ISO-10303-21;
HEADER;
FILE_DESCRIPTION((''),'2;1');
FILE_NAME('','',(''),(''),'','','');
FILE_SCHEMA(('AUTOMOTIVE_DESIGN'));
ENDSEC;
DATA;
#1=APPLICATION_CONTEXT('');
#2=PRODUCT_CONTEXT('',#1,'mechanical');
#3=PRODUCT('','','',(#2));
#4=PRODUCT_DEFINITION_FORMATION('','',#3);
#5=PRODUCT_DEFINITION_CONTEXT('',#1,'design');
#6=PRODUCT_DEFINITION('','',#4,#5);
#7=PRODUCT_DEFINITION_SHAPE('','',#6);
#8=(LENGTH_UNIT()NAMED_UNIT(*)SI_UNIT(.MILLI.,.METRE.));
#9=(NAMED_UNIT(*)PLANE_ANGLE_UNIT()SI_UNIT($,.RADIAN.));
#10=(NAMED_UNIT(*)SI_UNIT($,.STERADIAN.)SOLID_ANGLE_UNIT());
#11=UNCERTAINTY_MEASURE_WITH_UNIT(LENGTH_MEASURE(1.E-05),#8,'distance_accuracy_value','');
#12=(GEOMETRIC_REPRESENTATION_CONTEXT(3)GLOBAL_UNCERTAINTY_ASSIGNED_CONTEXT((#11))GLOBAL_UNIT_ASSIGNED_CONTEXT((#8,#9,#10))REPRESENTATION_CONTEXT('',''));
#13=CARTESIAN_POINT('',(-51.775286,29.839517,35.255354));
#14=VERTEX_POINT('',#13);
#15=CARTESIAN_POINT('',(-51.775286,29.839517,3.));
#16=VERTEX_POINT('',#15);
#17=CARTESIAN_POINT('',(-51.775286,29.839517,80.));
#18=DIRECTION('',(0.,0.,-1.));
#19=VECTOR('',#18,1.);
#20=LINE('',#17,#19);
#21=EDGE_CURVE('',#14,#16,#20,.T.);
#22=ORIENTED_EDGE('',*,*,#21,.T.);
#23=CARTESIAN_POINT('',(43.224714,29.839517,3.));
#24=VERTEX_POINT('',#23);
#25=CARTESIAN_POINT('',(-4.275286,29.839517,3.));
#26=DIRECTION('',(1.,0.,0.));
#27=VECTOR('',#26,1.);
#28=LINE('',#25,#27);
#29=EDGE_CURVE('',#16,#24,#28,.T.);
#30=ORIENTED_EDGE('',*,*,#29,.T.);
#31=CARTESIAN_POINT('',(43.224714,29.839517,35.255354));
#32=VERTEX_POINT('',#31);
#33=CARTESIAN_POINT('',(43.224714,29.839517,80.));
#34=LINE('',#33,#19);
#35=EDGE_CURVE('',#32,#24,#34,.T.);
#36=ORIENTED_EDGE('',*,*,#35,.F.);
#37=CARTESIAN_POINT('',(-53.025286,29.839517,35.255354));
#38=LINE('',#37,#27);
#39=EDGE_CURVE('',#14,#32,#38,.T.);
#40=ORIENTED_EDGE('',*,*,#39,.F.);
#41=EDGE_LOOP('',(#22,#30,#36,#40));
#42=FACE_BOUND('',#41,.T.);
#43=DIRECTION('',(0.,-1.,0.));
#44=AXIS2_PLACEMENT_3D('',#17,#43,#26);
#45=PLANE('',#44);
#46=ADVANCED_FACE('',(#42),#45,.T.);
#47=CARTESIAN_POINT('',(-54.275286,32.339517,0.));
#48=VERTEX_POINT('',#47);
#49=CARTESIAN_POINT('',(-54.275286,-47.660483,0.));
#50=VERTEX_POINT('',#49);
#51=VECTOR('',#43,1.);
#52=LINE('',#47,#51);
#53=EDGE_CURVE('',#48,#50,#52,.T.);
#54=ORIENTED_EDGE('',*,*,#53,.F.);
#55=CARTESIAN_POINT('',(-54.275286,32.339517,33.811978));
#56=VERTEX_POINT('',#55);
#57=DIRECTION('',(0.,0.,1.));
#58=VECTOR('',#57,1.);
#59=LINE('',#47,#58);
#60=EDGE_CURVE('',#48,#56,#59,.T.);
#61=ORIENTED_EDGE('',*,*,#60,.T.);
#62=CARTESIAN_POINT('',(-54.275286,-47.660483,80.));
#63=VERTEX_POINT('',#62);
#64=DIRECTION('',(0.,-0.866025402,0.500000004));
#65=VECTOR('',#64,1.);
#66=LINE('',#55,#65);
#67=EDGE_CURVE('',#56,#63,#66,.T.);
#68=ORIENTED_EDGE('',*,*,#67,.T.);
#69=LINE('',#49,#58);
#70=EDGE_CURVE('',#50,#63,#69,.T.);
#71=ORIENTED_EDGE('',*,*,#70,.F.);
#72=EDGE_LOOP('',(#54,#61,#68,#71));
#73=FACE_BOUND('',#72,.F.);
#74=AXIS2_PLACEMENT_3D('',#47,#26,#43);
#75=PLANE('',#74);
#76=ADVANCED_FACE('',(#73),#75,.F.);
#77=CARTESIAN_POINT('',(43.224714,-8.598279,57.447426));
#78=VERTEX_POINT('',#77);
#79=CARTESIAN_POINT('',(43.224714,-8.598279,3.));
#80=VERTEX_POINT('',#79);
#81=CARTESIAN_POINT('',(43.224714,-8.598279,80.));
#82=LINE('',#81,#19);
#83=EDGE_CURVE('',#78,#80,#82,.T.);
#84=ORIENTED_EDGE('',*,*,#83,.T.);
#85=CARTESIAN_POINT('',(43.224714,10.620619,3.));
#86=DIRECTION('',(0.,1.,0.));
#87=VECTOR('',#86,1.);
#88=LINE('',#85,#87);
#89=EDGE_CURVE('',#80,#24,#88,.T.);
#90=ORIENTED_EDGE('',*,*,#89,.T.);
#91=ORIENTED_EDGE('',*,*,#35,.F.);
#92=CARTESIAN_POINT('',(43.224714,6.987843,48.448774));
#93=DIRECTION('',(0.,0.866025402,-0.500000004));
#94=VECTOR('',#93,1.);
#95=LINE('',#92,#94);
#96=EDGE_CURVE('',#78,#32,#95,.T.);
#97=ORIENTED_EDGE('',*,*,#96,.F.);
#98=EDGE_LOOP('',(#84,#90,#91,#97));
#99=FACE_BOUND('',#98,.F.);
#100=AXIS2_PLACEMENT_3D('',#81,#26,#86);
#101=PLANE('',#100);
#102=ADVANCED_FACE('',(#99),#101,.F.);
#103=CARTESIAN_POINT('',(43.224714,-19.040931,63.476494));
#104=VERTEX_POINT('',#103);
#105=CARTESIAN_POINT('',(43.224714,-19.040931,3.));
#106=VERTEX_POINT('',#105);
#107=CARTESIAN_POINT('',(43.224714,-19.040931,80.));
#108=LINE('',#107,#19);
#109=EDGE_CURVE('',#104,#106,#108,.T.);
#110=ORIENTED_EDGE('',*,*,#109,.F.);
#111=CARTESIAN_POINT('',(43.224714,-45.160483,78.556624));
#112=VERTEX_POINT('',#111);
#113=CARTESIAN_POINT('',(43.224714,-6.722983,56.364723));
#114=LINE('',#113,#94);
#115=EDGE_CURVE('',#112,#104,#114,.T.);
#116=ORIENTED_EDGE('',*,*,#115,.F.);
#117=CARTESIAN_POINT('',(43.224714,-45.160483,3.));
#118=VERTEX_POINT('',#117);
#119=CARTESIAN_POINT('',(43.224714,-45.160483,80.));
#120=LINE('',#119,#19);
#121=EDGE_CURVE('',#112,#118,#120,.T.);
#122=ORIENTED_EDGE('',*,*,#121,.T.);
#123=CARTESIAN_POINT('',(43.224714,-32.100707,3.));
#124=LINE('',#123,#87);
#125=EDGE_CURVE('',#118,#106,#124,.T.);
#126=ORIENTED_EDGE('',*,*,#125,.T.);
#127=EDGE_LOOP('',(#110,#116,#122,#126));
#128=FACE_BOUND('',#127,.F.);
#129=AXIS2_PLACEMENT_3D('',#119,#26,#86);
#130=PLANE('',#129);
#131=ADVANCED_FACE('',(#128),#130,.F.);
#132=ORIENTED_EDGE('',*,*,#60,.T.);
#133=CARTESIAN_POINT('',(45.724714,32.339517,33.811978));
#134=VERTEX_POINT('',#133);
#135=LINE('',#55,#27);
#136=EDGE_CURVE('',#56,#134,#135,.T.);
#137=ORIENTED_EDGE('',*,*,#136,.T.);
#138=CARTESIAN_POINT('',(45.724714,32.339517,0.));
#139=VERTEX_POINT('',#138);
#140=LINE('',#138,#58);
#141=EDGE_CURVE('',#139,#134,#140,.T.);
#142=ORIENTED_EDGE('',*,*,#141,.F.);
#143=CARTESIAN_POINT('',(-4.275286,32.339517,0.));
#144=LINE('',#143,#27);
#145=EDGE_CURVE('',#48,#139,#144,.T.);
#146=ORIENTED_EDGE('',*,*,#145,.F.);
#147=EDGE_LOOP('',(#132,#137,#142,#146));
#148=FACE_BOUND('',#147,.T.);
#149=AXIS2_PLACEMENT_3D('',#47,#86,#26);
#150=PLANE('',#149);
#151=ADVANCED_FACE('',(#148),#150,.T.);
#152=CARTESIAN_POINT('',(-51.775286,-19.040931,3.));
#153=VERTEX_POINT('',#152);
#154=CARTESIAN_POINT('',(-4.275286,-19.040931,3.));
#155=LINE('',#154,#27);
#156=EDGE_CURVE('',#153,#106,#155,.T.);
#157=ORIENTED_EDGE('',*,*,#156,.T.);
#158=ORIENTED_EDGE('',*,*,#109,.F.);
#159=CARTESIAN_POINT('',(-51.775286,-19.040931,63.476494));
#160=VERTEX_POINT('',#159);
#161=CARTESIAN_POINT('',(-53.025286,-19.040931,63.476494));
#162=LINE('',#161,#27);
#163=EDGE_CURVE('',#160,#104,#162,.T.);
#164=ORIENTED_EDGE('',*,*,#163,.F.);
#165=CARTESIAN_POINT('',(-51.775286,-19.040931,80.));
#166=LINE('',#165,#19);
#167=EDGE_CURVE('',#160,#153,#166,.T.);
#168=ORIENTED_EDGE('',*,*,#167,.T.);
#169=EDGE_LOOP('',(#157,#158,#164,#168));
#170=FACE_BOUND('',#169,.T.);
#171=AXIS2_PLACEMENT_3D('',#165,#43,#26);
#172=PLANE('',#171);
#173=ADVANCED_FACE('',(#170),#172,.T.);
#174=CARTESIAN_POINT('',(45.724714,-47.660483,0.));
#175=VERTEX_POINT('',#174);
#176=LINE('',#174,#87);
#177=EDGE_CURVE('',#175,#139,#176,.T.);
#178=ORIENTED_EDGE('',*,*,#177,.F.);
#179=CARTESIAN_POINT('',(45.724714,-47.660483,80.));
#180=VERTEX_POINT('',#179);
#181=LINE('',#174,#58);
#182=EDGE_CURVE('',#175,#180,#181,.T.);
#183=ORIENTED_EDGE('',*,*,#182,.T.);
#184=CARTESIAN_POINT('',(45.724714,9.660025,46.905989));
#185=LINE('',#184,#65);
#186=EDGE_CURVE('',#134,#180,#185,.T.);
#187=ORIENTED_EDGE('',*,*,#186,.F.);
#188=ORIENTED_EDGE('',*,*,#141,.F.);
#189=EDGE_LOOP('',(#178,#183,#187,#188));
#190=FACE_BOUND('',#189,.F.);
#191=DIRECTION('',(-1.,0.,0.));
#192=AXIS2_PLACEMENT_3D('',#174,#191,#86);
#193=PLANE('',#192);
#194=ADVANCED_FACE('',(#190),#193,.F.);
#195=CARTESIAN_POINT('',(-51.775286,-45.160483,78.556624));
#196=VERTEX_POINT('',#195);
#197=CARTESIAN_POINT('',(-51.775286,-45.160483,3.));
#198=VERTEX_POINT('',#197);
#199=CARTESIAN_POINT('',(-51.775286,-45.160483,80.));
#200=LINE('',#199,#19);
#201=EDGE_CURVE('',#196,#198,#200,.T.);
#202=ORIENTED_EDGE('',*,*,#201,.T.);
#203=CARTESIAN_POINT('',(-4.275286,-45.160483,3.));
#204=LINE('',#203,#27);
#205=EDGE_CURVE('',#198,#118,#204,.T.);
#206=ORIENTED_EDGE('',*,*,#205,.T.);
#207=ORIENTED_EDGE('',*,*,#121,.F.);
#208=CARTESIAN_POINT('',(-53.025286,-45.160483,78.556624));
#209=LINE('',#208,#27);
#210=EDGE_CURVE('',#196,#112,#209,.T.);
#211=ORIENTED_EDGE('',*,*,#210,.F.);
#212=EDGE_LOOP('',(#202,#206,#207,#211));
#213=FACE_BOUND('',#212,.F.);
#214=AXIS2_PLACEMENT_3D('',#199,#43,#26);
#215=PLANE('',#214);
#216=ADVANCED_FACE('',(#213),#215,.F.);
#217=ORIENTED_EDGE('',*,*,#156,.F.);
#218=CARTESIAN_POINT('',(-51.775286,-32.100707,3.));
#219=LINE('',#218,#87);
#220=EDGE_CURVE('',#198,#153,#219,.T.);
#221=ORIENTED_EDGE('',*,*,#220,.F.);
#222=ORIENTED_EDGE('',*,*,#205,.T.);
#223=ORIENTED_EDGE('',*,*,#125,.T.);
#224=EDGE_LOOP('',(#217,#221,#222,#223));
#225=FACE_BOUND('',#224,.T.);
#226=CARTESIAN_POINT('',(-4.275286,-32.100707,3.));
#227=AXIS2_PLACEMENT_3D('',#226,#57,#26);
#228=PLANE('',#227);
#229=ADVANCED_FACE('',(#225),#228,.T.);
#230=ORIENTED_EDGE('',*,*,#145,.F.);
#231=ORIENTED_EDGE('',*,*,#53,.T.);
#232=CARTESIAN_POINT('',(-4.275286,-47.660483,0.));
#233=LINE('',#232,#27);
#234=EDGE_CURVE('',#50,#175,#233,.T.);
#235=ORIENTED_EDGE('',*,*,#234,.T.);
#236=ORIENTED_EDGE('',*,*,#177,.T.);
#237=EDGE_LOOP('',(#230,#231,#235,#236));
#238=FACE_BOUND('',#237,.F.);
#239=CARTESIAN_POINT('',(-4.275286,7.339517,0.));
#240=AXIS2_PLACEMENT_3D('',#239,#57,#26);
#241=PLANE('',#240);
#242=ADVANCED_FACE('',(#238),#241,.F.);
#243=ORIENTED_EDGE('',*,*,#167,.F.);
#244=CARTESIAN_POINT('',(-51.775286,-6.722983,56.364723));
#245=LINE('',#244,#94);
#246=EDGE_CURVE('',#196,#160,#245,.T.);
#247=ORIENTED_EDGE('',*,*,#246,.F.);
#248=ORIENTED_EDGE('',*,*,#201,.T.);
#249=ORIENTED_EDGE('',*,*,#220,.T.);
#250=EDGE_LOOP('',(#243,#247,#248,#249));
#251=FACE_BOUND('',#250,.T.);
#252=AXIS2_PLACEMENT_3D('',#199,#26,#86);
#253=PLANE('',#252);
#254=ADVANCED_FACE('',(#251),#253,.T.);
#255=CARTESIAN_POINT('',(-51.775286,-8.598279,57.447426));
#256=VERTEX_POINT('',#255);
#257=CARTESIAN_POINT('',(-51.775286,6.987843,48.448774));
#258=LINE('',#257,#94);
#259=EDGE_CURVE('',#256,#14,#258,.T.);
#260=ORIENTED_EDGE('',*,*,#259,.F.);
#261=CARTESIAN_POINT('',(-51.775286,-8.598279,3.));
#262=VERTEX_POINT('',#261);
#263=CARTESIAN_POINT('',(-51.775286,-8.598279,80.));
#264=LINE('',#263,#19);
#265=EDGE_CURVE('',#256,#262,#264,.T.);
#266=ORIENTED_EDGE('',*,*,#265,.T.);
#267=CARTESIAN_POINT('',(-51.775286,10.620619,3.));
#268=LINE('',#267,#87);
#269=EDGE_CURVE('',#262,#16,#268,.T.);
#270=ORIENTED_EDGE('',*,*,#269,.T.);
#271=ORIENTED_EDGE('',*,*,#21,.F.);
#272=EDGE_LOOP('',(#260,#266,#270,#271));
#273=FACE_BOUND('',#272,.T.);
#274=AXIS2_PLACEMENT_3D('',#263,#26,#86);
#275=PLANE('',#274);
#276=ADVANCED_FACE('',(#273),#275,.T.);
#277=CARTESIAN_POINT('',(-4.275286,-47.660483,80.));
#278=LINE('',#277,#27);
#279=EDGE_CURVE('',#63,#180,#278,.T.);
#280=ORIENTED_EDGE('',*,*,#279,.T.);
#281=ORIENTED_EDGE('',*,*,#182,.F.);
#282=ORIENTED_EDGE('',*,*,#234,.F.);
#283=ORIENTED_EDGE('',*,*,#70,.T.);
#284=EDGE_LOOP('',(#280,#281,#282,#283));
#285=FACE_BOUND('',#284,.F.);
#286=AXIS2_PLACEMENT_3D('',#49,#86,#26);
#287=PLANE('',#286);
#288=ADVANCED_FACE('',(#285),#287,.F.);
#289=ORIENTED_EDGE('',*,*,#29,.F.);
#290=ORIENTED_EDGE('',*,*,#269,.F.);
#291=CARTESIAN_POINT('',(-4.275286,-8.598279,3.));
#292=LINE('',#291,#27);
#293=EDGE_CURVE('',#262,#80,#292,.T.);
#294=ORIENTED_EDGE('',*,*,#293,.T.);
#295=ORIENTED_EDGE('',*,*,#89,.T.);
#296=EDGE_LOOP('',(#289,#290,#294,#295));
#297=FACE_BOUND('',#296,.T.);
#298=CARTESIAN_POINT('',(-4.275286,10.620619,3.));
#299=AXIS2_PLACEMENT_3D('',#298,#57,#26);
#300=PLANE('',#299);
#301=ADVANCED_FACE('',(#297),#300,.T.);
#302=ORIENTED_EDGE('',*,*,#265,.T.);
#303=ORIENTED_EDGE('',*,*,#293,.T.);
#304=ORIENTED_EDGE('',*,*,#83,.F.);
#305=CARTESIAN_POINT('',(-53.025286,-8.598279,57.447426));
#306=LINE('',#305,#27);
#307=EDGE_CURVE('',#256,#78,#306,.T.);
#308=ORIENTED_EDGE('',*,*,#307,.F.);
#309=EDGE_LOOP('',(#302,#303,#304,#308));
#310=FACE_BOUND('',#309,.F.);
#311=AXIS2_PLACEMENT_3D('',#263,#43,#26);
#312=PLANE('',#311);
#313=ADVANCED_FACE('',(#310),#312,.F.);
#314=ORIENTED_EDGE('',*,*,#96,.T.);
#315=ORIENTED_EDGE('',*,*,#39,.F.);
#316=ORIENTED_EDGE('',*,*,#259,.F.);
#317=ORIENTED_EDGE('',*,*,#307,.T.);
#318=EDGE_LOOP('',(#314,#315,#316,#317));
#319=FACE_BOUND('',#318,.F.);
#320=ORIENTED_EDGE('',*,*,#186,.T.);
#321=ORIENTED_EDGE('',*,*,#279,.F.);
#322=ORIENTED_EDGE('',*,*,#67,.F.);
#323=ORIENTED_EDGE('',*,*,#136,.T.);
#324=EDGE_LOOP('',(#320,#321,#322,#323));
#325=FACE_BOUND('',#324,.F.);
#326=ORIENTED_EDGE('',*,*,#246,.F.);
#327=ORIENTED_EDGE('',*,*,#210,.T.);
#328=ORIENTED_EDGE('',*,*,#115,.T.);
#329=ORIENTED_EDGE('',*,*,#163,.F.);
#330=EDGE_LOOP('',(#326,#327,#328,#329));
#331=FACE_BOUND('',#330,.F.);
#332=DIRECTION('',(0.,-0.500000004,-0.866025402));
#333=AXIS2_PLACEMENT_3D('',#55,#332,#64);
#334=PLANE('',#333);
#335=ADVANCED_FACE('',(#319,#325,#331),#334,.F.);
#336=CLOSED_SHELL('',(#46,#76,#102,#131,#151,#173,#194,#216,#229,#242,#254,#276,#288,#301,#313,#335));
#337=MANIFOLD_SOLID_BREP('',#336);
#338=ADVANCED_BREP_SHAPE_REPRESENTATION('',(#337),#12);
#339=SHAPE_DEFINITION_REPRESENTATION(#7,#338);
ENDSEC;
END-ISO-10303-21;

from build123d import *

# Parameters (mm, degrees)
F0_W     = 100
F0_H     = 50
F0_H_2   = 30
F1_DEPTH = 80
F2_W     = 95
F2_H     = 38.437796
F2_H_2   = 26.119551
F3_DEPTH = 77
F5_DEPTH = 250


with BuildPart() as f1:
    # F0 (on Top) → F1 (new body)
    with BuildSketch(Plane.XY):
        with Locations((-4.275286, 7.339517)):
            Rectangle(F0_W, F0_H)
        with Locations((-4.275286, -32.660483)):
            Rectangle(F0_W, F0_H_2)
    extrude(amount=F1_DEPTH)

    # F2 (on face) → F3 (cut)
    with BuildSketch(Plane.XY.offset(80)):
        with Locations((-4.275286, 10.620619)):
            Rectangle(F2_W, F2_H)
        with Locations((-4.275286, -32.100707)):
            Rectangle(F2_W, F2_H_2)
    extrude(amount=-F3_DEPTH, mode=Mode.SUBTRACT)

    # F4 (on face) → F5 (cut)
    with BuildSketch(Plane(origin=(-54.275286, 0, 0), x_dir=(0, -1, 0), z_dir=(-1, 0, 0))):
        Polygon((-32.339517, 33.811978), (47.660483, 80), (-32.339517, 80), align=None)
    extrude(amount=-F5_DEPTH, mode=Mode.SUBTRACT)


solid = f1.part
